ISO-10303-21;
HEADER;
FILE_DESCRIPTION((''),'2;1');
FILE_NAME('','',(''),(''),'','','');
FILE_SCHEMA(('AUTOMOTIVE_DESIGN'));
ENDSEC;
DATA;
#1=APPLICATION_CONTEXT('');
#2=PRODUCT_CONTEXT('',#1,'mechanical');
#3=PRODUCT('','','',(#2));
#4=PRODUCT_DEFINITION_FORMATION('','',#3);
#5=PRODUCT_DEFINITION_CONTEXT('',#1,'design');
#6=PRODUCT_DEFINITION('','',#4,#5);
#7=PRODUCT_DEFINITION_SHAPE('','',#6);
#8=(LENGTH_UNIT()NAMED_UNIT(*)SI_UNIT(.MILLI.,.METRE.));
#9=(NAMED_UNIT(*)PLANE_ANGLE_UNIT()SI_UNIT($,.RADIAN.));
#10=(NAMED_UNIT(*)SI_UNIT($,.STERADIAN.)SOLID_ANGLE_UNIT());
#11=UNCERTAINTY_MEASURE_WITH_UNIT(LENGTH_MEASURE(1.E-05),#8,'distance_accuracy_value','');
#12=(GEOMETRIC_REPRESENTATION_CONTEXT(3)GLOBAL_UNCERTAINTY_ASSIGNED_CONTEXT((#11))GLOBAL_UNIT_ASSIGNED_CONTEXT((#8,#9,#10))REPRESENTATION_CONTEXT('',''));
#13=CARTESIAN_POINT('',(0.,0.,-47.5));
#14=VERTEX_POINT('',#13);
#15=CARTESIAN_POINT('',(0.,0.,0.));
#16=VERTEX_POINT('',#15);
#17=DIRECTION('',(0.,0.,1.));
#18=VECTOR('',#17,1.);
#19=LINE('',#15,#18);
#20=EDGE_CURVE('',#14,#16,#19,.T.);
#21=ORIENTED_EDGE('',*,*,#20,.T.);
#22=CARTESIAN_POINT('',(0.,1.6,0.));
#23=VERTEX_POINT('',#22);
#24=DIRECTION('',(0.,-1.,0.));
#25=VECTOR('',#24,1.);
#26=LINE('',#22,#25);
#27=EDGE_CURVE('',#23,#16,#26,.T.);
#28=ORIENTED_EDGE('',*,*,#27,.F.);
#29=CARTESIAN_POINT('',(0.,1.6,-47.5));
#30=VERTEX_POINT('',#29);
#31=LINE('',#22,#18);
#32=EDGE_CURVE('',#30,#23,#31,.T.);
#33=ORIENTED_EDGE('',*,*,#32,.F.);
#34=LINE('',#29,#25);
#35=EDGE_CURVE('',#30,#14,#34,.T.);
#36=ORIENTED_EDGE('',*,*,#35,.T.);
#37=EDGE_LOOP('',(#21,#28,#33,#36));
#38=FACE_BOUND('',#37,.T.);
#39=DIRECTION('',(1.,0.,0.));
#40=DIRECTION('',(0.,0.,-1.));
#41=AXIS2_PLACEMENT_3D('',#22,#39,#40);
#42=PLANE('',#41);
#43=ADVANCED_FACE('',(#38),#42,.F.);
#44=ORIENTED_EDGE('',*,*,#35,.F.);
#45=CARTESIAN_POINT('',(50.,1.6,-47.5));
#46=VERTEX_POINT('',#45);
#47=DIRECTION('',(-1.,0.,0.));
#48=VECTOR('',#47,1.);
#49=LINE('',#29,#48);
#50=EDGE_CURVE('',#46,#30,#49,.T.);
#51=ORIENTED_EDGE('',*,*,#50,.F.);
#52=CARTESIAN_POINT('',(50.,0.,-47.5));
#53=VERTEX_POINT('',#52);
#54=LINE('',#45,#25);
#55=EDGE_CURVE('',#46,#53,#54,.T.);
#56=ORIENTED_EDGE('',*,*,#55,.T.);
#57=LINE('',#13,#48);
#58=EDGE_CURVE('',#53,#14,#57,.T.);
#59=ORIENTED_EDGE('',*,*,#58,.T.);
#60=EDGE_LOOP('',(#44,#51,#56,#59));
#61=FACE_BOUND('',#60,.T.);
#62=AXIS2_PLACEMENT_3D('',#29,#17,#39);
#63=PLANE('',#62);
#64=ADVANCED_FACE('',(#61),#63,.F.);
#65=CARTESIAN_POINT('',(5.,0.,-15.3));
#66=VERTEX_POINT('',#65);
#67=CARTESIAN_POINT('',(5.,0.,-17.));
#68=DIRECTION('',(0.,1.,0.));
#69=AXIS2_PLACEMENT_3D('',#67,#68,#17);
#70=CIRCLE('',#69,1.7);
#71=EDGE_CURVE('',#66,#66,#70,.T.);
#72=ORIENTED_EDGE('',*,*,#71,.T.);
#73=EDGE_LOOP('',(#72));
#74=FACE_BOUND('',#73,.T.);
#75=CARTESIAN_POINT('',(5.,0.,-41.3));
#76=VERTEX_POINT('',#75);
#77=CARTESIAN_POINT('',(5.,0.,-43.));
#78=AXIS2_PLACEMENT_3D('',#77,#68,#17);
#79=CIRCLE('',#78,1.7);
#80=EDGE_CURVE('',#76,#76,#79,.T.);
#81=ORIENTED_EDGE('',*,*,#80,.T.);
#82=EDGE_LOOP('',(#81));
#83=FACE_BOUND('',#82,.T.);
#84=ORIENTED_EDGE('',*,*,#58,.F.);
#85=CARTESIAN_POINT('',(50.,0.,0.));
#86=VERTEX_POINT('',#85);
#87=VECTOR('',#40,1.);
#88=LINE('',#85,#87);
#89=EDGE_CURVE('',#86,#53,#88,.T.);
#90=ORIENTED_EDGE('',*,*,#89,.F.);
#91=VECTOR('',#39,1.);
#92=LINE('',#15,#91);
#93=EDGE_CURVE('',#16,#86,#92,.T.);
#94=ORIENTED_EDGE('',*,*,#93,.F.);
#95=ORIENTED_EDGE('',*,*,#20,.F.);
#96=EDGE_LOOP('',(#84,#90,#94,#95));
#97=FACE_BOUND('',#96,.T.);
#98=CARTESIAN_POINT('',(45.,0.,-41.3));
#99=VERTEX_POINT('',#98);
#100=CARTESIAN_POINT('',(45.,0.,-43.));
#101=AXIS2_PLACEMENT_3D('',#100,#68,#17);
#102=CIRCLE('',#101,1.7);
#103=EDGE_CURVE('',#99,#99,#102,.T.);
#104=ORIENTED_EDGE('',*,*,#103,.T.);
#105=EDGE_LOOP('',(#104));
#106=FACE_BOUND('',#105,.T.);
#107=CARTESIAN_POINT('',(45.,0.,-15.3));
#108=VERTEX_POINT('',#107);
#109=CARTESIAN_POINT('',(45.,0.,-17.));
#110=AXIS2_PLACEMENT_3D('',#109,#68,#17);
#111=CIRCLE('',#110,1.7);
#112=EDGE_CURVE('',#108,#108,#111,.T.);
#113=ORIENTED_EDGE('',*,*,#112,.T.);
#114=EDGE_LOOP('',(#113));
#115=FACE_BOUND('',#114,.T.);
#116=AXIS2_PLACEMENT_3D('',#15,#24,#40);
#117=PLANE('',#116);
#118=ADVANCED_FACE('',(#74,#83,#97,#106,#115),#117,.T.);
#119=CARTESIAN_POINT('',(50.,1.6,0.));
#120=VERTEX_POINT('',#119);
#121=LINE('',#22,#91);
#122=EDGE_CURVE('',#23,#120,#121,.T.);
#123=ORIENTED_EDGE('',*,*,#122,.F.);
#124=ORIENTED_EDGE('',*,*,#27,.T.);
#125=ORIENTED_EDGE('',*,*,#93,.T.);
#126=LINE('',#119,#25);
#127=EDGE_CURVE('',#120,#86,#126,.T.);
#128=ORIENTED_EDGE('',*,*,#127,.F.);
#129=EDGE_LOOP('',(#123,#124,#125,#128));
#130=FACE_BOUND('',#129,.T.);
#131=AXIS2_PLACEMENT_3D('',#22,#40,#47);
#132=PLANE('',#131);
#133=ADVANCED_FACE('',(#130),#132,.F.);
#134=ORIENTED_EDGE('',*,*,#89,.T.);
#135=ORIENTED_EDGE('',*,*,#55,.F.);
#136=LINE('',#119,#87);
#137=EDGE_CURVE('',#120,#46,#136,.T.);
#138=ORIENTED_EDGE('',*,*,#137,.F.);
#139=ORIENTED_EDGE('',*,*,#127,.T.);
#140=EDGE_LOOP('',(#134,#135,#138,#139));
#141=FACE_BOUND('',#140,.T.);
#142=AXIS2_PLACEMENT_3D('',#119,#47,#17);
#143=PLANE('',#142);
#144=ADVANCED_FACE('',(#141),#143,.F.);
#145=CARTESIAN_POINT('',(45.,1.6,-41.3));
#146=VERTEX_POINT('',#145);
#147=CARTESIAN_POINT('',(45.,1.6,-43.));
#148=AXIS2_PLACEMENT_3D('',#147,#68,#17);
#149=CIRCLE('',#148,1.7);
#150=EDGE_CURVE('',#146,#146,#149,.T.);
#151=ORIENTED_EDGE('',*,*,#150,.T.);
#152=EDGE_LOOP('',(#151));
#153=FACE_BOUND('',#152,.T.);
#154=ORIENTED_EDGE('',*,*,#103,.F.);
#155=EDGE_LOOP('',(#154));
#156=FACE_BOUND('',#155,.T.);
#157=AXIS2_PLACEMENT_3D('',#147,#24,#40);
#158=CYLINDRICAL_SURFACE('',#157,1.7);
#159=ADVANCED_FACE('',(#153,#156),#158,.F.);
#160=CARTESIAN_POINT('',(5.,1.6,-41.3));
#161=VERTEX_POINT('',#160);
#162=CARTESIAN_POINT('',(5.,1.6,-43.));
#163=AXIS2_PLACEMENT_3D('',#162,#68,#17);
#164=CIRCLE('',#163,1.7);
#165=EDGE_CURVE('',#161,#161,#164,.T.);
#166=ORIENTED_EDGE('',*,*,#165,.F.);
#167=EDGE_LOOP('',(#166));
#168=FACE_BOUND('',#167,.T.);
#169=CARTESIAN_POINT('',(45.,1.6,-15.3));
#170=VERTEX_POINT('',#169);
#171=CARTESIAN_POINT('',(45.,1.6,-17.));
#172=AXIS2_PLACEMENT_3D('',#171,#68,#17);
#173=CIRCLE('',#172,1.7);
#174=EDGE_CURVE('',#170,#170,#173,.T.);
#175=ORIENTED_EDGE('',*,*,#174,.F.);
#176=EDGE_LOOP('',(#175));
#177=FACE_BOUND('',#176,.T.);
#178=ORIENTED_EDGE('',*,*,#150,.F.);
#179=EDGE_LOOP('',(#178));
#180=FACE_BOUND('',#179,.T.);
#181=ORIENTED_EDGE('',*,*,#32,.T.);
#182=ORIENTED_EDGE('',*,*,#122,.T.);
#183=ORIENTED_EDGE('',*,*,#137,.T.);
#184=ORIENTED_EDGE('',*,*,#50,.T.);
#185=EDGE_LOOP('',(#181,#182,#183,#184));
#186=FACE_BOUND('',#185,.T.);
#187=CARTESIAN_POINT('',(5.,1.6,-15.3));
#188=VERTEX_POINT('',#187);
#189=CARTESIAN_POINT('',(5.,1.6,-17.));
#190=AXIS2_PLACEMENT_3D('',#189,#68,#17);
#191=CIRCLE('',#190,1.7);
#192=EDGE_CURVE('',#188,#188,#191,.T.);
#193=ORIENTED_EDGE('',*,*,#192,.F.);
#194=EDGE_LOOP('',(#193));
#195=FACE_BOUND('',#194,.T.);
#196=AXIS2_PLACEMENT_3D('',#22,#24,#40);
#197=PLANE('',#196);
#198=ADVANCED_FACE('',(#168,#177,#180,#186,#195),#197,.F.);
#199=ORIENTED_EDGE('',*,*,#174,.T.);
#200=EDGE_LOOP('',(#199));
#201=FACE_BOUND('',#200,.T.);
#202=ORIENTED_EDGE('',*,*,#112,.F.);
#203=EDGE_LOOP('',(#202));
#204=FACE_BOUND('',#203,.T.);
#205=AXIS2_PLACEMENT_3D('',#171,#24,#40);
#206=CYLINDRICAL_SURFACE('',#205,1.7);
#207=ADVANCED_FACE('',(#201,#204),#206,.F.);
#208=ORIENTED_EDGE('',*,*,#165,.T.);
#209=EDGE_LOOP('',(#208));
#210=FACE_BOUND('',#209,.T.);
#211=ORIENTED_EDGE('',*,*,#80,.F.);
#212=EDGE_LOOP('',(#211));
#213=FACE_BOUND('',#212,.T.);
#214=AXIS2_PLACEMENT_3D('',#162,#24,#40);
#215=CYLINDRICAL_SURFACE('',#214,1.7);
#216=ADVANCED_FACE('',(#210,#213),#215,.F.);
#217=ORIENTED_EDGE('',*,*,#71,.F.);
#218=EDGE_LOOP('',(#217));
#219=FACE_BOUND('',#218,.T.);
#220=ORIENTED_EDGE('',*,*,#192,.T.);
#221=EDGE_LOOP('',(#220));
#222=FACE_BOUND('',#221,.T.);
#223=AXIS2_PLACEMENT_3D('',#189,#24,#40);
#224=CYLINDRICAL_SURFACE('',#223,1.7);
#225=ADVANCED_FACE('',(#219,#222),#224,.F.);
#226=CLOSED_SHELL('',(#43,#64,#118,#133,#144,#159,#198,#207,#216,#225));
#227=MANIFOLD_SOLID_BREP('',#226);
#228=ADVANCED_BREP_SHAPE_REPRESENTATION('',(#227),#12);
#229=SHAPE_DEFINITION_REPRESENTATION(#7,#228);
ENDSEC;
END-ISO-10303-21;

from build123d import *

# Parameters (mm, degrees)
SKETCH1_W           = 50
SKETCH1_H           = 47.5
SKETCH1_R           = 1.7
BOSS_EXTRUDE1_DEPTH = 1.6


with BuildPart() as part:
    # Sketch1 → Boss-Extrude1 (new body)
    with BuildSketch(Plane(origin=(0, 0, 0), x_dir=(1, 0, 0), z_dir=(0, 1, 0))):
        with Locations((25, 23.75)):
            Rectangle(SKETCH1_W, SKETCH1_H)
        with Locations((5, 17)):
            Circle(SKETCH1_R, mode=Mode.SUBTRACT)
        with Locations((5, 43)):
            Circle(SKETCH1_R, mode=Mode.SUBTRACT)
        with Locations((45, 17)):
            Circle(SKETCH1_R, mode=Mode.SUBTRACT)
        with Locations((45, 43)):
            Circle(SKETCH1_R, mode=Mode.SUBTRACT)
    extrude(amount=BOSS_EXTRUDE1_DEPTH)


solid = part.part
